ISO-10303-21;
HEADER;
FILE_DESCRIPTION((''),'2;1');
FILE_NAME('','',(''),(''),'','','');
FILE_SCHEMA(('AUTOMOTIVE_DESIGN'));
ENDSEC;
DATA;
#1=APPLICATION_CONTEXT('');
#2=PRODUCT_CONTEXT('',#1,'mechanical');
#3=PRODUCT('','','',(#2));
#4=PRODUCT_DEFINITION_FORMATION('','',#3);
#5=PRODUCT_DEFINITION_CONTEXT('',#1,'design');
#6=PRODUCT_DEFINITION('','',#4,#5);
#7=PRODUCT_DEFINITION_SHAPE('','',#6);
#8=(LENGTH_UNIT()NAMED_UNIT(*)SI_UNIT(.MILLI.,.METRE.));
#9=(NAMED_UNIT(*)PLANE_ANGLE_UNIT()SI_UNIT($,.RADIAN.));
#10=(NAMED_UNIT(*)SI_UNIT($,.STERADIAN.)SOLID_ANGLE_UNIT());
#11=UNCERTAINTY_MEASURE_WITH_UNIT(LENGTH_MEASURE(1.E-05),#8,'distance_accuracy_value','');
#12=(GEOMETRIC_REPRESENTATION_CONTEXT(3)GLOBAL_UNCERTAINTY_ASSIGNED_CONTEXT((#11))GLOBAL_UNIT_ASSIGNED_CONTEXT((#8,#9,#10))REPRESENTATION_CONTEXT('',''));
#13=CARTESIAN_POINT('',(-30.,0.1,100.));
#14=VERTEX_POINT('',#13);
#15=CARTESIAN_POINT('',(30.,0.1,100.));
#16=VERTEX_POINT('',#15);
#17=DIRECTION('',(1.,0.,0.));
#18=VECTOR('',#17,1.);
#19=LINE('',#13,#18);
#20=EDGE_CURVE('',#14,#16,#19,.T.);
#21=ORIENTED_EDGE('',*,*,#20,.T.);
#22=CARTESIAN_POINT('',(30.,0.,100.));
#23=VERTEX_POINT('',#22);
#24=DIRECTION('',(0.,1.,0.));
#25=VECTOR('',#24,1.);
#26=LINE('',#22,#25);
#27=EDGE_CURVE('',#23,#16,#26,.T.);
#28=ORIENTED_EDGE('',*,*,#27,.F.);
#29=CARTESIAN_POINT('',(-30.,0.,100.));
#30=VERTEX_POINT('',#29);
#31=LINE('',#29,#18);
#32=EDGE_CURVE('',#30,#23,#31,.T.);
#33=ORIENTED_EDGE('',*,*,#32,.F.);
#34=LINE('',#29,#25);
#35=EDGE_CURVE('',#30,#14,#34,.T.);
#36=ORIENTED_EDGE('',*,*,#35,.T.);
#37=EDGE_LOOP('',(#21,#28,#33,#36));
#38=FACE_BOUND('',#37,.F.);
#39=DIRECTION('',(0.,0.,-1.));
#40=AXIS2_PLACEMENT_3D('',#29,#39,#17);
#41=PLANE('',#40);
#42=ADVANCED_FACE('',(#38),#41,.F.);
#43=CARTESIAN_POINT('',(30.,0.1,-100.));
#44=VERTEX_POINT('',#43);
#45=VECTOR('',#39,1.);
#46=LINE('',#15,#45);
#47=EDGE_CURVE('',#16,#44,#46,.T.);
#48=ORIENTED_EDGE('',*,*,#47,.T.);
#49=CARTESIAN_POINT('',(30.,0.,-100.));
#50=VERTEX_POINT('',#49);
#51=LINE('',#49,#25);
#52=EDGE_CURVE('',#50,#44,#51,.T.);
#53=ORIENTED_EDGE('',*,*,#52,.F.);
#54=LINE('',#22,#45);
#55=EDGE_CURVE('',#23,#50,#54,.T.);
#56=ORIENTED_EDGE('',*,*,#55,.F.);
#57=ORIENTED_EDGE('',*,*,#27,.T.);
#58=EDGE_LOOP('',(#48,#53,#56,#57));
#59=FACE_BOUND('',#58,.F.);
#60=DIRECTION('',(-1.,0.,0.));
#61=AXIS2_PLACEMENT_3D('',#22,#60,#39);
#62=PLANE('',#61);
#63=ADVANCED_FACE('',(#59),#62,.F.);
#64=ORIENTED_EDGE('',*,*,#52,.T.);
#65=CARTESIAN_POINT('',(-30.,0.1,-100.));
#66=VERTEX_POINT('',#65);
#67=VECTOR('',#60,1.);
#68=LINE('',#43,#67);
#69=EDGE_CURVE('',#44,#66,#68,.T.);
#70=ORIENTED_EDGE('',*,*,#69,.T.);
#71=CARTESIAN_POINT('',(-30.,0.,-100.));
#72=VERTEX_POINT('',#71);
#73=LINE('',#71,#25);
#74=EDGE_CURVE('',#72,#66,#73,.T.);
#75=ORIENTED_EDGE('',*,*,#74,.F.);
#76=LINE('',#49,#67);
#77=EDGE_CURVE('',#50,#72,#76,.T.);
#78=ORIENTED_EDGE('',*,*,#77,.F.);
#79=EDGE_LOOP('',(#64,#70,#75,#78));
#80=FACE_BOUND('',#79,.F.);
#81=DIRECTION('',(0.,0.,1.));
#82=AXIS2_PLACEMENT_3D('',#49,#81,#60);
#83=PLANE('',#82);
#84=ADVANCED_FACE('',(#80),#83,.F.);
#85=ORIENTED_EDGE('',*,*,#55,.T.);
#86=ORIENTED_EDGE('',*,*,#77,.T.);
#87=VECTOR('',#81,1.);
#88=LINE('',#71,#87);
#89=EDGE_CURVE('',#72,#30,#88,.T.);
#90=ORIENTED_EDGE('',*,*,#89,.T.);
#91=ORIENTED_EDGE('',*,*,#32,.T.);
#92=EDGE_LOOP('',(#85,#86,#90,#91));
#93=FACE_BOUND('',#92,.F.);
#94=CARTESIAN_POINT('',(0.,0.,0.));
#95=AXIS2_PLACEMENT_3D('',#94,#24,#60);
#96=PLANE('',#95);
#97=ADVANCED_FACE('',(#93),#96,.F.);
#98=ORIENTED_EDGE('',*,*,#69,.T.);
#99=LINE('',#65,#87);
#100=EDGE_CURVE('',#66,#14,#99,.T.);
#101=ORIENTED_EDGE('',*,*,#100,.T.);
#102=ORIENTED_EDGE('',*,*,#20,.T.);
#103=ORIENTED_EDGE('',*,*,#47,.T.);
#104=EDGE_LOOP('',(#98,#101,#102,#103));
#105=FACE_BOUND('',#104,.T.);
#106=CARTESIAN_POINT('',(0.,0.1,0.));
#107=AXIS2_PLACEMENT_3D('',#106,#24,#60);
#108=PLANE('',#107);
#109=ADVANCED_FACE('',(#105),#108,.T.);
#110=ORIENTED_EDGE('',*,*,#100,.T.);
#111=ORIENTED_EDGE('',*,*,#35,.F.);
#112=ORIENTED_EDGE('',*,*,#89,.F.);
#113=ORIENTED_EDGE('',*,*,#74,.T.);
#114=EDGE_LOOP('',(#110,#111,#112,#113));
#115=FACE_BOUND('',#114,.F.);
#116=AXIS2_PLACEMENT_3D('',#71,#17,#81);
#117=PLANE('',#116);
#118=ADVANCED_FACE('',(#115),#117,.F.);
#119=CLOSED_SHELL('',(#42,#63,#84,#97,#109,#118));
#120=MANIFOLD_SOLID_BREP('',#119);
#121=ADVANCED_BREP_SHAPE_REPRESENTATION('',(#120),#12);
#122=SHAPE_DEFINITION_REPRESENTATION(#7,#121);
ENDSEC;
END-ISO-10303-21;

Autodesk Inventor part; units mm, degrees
ref_plane "YZ Plane" through (0, 0, 0) normal (1, 0, 0) x (0, 1, 0)
ref_plane "XZ Plane" through (0, 0, 0) normal (0, 1, 0) x (-1, 0, 0)
ref_plane "XY Plane" through (0, 0, 0) normal (0, 0, 1) x (1, 0, 0)
sketch "Sketch1" plane through (0, 0, 0) normal (0, 1, 0) x (-1, 0, 0)
  line L0 (30, 100) -> (-30, 100)
  line L1 (-30, 100) -> (-30, -100)
  line L2 (-30, -100) -> (30, -100)
  line L3 (30, -100) -> (30, 100)
  line L4 (30, 100) -> (-30, -100) construction
  line L5 (-30, 100) -> (30, -100) construction
  point P0 (0, 0)
  dimension "d2" = 200
  dimension "d3" = 60
extrude "Extrusion1" add sketch "Sketch1" along normal blind 0.1
properties part number "LoopPlane1"
